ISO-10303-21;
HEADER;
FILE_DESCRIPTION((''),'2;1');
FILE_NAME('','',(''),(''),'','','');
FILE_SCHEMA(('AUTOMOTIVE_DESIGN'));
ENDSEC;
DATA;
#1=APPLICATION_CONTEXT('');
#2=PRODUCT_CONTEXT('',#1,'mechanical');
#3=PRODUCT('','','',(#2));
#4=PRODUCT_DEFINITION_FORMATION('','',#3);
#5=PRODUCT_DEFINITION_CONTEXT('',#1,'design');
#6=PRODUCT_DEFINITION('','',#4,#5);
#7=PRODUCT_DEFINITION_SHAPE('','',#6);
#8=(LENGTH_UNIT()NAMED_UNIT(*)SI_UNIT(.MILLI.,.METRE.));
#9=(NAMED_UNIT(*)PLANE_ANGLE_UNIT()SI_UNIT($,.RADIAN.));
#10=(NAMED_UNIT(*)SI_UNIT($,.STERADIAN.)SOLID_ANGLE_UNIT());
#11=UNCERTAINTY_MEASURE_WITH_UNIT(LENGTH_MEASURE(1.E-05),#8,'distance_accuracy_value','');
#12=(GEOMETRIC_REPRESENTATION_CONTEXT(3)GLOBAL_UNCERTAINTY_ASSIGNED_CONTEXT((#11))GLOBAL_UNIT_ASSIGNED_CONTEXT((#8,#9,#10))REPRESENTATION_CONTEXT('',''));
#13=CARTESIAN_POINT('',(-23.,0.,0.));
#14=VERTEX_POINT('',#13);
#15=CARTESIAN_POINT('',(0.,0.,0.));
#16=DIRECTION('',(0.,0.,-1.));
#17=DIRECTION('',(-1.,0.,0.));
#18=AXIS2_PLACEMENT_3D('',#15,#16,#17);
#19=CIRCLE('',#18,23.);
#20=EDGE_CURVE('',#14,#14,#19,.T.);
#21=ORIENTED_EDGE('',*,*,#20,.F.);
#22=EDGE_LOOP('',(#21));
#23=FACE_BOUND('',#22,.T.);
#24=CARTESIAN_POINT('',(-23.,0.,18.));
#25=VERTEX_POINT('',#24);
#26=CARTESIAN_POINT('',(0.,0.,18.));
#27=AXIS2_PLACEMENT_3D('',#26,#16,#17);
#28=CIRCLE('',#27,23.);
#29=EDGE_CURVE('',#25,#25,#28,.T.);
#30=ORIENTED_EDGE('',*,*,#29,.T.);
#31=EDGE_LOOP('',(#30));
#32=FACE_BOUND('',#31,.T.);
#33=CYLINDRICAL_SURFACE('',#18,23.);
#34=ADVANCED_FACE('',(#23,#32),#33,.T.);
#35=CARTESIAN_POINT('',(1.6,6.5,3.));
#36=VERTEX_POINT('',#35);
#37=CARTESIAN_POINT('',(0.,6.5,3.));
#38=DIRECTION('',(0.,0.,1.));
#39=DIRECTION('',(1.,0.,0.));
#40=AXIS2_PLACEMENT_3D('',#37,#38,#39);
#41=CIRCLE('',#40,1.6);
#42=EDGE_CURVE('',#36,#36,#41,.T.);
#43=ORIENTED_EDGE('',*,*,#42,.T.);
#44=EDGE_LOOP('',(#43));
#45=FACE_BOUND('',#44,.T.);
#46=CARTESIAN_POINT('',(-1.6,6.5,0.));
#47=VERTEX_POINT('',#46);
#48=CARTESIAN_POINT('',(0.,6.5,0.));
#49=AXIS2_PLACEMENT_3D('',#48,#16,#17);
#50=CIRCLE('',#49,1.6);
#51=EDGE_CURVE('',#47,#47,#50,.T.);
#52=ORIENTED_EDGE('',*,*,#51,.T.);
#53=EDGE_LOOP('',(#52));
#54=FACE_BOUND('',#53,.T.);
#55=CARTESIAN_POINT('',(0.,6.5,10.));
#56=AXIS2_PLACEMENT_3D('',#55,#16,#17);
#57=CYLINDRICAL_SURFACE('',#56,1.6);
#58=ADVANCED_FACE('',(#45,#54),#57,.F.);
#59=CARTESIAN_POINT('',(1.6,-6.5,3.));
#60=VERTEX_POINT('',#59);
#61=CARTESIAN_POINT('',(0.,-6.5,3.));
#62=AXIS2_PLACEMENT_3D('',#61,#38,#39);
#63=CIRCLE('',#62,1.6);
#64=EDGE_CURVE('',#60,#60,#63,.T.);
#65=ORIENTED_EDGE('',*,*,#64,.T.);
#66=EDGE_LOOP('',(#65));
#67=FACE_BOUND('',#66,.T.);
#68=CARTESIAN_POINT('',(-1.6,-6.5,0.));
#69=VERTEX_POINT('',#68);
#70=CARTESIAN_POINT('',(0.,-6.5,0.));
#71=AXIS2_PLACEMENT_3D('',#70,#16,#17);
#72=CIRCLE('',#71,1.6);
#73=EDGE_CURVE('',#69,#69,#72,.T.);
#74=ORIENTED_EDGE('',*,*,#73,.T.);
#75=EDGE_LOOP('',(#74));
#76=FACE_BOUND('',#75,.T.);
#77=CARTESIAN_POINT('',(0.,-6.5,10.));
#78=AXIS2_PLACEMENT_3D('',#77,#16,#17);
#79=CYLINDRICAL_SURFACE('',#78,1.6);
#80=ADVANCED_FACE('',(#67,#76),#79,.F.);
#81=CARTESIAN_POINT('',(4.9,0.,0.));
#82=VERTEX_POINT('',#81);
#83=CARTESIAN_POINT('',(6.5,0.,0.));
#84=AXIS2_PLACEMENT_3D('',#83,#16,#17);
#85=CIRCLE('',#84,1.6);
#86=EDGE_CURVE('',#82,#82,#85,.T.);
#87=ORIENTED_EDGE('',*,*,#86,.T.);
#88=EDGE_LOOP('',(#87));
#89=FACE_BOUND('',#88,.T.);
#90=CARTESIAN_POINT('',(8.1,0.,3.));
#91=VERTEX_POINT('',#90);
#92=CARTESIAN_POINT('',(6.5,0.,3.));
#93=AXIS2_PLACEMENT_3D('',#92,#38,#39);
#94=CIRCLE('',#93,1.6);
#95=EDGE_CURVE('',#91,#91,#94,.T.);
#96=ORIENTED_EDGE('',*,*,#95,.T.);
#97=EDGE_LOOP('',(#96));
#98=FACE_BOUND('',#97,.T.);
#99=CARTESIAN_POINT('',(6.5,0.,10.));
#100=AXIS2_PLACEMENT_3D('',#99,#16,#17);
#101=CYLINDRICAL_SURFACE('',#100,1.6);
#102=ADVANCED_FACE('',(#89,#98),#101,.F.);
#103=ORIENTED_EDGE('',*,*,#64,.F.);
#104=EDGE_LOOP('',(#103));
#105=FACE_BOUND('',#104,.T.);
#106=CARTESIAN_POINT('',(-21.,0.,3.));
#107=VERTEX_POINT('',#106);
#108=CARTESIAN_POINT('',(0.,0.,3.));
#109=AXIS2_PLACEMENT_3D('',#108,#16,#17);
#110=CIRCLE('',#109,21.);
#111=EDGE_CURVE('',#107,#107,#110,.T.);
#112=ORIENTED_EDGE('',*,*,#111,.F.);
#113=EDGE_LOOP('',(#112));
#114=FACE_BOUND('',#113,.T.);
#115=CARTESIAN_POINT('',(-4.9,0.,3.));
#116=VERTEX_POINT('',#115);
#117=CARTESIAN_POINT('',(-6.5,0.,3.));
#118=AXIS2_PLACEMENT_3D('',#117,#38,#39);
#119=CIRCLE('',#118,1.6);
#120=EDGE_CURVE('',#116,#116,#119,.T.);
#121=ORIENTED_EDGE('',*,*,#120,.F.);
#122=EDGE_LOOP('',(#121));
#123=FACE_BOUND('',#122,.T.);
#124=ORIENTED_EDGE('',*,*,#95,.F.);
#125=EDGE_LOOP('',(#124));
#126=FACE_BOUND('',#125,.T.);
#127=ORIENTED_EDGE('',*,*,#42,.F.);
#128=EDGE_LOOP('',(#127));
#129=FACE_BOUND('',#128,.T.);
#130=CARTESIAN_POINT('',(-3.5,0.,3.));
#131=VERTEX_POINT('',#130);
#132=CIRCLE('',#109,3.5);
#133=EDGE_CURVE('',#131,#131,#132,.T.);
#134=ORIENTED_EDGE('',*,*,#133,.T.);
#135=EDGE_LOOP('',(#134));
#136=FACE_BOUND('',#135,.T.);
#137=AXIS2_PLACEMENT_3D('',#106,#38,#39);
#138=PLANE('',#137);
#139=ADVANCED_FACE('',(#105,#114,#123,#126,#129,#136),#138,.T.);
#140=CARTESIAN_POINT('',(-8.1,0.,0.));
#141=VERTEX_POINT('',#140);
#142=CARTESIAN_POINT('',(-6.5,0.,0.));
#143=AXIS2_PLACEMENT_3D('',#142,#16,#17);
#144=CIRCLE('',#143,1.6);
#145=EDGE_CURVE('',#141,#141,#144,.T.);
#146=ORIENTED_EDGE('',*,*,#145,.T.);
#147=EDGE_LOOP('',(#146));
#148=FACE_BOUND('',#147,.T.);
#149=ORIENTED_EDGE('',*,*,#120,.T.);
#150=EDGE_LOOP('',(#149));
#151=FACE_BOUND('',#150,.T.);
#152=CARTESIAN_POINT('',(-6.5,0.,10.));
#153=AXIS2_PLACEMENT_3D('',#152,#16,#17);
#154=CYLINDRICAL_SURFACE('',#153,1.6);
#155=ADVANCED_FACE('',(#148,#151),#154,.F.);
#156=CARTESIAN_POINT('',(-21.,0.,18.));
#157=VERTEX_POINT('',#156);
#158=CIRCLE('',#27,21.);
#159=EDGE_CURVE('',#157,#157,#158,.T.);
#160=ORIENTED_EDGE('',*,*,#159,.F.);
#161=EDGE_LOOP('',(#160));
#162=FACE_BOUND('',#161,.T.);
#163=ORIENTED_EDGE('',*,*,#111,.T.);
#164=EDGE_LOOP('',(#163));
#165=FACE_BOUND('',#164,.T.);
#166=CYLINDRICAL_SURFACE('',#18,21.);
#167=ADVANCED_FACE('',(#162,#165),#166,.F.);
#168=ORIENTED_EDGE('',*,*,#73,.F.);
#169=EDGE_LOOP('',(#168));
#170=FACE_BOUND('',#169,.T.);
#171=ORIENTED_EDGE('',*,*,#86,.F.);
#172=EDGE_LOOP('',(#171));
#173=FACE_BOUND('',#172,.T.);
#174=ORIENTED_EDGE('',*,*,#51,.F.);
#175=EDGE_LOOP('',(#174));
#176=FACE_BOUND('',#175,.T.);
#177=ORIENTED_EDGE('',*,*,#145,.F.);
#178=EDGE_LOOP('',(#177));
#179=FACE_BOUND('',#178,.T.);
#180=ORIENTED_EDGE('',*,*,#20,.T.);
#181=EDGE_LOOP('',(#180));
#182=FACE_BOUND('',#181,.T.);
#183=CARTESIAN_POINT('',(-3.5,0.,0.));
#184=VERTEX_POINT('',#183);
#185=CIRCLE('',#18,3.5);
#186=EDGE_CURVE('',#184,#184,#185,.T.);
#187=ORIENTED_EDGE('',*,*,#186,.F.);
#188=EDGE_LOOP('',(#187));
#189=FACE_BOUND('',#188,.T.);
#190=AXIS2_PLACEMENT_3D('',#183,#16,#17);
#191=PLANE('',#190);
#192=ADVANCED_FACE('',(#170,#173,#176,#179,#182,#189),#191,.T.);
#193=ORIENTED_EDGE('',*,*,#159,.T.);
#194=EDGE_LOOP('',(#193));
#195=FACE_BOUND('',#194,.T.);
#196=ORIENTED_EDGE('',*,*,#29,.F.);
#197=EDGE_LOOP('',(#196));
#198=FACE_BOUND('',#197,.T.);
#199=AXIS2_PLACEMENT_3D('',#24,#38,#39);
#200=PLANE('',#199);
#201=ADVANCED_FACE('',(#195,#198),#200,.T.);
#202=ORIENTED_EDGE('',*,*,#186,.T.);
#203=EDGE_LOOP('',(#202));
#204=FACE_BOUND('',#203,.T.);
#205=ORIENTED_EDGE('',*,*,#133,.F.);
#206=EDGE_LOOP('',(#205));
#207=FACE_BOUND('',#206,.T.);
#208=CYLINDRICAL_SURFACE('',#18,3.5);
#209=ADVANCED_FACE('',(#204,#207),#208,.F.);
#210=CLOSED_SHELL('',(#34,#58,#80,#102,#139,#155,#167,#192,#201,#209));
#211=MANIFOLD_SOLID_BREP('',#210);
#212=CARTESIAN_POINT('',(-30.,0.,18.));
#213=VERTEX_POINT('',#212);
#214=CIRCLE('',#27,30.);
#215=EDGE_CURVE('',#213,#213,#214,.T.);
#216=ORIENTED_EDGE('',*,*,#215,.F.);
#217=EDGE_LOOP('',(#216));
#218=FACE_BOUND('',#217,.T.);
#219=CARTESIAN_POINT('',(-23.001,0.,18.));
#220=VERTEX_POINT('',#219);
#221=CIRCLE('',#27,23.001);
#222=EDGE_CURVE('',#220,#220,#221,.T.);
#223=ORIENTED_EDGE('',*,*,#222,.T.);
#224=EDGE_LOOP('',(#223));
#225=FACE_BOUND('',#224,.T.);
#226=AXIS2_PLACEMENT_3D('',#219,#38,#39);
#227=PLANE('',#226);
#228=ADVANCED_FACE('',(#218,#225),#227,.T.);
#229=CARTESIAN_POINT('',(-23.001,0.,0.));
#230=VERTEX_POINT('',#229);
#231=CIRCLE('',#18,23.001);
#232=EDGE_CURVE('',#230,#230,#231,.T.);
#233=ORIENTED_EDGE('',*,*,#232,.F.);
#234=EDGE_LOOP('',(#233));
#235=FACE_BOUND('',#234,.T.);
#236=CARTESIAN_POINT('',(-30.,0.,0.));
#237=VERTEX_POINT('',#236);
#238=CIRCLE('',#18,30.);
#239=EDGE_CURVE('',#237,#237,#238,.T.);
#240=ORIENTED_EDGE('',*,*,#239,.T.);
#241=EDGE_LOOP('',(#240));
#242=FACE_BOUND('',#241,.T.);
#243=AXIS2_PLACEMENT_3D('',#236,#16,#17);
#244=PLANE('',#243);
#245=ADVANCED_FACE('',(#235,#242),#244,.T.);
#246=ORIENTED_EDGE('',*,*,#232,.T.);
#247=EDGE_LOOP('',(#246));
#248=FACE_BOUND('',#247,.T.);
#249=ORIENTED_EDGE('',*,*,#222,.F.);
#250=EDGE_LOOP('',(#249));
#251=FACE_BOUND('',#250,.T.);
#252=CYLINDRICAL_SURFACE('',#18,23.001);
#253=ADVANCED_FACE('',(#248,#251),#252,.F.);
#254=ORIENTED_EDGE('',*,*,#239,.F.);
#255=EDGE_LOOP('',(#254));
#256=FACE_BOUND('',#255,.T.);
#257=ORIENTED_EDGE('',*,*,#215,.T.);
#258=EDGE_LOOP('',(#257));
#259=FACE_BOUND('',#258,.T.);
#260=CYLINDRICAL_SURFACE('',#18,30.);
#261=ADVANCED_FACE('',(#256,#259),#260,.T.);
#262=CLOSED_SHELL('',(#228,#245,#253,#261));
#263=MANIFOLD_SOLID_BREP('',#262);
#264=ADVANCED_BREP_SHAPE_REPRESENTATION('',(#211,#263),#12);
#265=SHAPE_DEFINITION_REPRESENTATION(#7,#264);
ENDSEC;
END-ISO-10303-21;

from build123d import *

# Parameters (mm, degrees)
SKETCH_2_R          = 1.6
CUT_EXTRUDE_1_DEPTH = 10
SKETCH_3_W          = 6.999
SKETCH_3_H          = 18


with BuildPart() as part:
    # 草图1 → 旋转1 (revolve)
    with BuildSketch(Plane(origin=(0, 0, 0), x_dir=(1, 0, 0), z_dir=(0, 1, 0))):
        Polygon((-3.5, 0), (-23, 0), (-23, -18), (-21, -18), (-21, -3), (-3.5, -3), align=None)
    revolve(axis=Axis((0, 0, 0), (0, 0, 1)))

    # 草图2 → 切除-拉伸1 (cut)
    with BuildSketch(Plane(origin=(0, 0, 0), x_dir=(-1, 0, 0), z_dir=(0, 0, -1))):
        with Locations((6.5, 0)):
            Circle(SKETCH_2_R)
        with Locations((0, -6.5)):
            Circle(SKETCH_2_R)
        with Locations((-6.5, 0)):
            Circle(SKETCH_2_R)
        with Locations((0, 6.5)):
            Circle(SKETCH_2_R)
    extrude(amount=-CUT_EXTRUDE_1_DEPTH, mode=Mode.SUBTRACT)


with BuildPart() as body_2:
    # 草图3 → 旋转2 (revolve)
    with BuildSketch(Plane(origin=(0, 0, 0), x_dir=(1, 0, 0), z_dir=(0, 1, 0))):
        with Locations((-26.5005, -9)):
            Rectangle(SKETCH_3_W, SKETCH_3_H)
    revolve(axis=Axis((0, 0, 0), (0, 0, 1)))


solid = Compound([part.part, body_2.part])
